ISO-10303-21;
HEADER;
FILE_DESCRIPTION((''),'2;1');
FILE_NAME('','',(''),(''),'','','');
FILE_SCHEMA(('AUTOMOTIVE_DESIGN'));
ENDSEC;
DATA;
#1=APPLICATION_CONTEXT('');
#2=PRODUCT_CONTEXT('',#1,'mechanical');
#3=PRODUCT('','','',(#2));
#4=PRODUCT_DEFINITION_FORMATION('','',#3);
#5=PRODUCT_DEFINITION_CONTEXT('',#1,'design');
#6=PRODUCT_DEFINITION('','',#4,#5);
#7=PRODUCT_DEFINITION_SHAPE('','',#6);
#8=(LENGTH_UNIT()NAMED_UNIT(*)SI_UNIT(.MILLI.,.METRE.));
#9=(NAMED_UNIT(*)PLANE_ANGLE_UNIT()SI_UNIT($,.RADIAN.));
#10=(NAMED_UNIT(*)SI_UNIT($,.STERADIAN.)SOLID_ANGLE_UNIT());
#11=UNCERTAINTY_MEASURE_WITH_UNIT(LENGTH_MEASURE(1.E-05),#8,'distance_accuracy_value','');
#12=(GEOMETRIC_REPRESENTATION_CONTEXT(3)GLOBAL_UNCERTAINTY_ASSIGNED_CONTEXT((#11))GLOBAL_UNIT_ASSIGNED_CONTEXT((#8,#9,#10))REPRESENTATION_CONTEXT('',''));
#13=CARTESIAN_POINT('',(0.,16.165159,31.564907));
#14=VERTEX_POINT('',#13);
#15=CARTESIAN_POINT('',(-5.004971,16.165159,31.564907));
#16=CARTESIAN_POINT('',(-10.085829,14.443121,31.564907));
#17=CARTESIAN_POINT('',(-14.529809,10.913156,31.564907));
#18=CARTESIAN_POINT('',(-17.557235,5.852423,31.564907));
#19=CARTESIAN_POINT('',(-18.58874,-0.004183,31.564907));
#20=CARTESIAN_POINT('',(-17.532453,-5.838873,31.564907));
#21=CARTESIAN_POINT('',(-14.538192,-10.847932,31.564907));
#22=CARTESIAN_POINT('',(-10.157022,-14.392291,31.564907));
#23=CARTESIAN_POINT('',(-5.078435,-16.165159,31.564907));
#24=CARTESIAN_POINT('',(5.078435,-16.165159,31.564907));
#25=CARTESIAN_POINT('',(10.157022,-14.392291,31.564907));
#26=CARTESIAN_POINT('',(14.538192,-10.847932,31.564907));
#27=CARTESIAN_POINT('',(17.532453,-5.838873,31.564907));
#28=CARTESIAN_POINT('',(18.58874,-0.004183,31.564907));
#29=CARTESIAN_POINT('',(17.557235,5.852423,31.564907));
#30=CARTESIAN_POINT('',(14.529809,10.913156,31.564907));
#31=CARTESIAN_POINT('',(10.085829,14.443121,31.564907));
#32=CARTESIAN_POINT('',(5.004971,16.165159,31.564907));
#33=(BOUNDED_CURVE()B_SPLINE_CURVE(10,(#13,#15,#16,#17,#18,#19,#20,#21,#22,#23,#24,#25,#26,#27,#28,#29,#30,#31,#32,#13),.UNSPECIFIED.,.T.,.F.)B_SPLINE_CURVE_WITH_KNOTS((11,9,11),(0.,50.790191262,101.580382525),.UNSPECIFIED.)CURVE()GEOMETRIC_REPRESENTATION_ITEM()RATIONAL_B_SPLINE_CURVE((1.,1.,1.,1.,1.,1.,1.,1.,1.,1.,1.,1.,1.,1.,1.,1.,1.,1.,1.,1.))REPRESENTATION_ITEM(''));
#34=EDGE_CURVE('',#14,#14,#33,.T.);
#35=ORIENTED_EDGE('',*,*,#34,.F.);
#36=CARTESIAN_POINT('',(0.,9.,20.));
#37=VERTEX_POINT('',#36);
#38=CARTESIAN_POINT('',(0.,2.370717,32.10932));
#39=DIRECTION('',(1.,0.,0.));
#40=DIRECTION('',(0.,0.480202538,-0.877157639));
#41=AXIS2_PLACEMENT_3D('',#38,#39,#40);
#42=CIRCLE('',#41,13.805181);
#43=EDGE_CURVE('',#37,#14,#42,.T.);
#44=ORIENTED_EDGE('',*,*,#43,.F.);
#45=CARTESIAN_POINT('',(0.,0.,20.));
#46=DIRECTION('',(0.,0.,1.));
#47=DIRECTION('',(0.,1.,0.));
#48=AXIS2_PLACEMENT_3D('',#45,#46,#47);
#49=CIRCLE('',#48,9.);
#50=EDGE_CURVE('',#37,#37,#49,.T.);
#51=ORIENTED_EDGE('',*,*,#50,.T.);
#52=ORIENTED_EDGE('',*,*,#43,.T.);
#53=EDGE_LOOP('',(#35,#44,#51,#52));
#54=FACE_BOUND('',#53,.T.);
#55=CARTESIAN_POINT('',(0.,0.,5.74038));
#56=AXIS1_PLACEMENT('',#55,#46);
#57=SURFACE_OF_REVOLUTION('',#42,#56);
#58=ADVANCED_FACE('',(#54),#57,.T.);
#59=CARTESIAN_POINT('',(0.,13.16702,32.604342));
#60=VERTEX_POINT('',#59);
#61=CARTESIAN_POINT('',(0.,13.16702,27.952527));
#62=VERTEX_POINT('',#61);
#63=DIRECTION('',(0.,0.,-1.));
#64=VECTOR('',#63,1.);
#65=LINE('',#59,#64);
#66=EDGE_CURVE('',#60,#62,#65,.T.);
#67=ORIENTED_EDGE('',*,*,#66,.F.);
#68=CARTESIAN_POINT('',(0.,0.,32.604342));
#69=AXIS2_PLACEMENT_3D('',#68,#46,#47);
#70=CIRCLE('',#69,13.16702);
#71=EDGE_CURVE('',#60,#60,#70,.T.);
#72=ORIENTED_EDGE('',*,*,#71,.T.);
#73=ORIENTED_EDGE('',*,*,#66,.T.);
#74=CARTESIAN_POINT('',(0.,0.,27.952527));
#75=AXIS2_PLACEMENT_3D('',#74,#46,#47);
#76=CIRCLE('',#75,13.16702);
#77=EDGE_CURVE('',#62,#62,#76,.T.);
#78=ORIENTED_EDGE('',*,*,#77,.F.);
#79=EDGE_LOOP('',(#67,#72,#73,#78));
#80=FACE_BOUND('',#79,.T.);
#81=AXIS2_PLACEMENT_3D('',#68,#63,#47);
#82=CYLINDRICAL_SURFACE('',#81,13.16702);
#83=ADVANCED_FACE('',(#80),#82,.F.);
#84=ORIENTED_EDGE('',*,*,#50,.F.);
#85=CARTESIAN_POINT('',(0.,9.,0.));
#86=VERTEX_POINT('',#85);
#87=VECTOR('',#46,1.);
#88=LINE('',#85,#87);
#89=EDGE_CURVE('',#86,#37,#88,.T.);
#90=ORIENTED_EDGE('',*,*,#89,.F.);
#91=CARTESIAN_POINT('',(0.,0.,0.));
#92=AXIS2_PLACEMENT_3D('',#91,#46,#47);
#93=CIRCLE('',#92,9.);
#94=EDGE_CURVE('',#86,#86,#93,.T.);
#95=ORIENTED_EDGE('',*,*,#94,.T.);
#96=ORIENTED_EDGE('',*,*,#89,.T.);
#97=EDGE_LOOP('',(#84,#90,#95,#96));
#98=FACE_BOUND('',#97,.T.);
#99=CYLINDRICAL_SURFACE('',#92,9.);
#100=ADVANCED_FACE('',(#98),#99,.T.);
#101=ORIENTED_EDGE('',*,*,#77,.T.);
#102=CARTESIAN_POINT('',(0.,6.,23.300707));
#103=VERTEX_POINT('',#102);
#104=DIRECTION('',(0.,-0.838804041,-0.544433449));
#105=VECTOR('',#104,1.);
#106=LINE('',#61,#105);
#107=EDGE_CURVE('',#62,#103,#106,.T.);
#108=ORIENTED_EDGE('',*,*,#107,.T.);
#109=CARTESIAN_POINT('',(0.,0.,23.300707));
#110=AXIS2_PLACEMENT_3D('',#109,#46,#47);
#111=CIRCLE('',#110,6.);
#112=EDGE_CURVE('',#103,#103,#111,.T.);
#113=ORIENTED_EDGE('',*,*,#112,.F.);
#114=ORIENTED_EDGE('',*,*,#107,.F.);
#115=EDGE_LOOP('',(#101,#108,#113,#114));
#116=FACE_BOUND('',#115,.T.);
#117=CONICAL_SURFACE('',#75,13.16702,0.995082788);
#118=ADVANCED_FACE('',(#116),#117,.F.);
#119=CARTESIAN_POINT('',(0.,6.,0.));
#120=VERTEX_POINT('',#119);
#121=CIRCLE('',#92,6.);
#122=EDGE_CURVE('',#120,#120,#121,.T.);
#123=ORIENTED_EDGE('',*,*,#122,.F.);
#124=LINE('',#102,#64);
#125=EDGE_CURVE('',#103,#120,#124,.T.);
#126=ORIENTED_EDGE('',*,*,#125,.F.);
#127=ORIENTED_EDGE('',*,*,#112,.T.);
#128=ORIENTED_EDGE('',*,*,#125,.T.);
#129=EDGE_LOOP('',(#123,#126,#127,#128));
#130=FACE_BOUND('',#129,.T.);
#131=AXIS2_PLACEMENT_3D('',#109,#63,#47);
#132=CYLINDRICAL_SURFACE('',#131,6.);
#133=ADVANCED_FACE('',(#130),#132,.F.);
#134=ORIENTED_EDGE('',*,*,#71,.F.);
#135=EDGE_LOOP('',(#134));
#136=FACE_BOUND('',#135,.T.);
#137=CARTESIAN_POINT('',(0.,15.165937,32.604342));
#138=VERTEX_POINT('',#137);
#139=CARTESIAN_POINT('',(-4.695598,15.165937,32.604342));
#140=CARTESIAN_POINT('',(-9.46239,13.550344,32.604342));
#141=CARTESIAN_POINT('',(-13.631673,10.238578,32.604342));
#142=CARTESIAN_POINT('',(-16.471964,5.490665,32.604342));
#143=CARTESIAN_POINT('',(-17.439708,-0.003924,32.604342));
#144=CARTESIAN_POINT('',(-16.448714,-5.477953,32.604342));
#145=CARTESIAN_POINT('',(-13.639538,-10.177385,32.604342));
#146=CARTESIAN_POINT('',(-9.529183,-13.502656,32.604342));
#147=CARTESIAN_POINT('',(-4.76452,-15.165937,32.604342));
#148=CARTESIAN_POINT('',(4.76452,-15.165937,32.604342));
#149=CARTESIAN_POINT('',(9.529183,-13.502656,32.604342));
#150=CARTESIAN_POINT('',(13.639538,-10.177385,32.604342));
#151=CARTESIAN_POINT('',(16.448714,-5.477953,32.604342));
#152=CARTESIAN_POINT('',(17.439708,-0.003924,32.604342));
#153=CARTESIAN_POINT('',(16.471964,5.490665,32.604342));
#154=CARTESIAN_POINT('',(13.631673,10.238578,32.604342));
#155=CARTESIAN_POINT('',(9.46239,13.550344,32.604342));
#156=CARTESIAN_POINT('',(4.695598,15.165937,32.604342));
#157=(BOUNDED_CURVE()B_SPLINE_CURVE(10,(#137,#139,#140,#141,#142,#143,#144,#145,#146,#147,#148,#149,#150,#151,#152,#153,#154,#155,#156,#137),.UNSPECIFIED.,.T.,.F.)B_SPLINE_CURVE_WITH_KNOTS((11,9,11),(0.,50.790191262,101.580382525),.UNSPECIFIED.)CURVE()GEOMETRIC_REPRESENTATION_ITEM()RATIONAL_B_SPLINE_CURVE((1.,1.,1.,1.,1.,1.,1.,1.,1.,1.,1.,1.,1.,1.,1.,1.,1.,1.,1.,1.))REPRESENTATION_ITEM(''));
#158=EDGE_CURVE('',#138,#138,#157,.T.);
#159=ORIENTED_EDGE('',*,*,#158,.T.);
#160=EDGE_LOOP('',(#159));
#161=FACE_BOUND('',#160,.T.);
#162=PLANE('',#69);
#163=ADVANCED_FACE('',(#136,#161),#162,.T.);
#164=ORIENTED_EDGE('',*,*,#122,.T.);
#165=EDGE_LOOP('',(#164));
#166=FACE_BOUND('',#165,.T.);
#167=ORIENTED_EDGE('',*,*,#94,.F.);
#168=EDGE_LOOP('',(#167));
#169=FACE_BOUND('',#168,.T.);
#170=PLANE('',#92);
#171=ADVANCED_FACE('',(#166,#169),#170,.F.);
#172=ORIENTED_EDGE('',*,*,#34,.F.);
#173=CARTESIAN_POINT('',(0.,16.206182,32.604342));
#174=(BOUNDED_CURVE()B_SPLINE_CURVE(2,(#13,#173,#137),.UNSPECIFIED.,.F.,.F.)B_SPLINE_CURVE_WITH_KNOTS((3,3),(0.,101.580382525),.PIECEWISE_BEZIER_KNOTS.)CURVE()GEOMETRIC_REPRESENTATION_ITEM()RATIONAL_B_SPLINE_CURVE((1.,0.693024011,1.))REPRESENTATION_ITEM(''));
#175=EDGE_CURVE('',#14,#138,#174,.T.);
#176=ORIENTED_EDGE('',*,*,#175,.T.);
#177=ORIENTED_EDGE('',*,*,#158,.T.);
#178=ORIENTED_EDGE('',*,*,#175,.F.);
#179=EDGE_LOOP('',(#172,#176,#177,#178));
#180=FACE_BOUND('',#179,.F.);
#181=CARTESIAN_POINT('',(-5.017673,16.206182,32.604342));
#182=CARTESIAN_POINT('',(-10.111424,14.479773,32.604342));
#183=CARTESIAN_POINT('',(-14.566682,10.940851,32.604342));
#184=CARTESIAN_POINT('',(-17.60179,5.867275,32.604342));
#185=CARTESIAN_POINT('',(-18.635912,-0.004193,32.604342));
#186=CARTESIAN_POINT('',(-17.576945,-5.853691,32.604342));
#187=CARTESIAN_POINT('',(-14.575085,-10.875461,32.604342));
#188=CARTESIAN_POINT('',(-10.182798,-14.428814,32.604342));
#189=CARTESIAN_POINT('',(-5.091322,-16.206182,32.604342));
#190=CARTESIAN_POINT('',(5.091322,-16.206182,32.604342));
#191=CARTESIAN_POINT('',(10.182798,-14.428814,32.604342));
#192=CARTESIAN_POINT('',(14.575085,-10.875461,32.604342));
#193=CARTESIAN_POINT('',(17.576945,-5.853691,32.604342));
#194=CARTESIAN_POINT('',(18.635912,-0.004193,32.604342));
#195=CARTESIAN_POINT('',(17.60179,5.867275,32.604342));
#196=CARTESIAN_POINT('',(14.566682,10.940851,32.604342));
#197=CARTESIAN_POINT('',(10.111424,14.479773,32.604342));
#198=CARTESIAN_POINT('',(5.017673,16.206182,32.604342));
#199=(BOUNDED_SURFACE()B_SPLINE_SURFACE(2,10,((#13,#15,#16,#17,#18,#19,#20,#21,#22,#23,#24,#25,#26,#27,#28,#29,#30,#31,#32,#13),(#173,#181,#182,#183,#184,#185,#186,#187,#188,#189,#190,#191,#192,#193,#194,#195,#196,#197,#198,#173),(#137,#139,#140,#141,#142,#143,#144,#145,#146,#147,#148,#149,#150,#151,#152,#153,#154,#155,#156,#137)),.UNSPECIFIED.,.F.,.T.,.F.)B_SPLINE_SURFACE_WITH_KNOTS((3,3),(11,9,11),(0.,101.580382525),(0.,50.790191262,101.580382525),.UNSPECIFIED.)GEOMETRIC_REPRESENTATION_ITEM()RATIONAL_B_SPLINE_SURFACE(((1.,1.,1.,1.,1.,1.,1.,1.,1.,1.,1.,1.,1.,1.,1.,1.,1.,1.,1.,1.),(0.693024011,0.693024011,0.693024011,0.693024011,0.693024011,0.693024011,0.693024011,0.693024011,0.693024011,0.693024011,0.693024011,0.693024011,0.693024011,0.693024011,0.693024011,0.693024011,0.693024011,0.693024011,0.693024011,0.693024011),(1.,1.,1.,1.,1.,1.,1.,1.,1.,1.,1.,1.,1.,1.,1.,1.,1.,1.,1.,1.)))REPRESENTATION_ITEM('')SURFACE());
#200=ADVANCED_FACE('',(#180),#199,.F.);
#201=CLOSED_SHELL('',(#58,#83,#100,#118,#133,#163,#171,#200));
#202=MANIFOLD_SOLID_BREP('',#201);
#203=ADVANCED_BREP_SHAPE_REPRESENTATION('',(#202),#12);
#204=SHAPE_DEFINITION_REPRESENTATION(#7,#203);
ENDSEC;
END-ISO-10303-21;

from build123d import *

# Parameters (mm, degrees)
F2_R = 1


with BuildPart() as f1:
    # F0 (on Right) → F1 (revolve)
    with BuildSketch(Plane.YZ):
        with BuildLine():
            Line((6, 20), (6, 0))
            Line((6, 0), (9, 0))
            Line((9, 0), (9, 20))
            ThreePointArc((9, 20), (14.371488, 25.2855), (16.16702, 32.604342))
            Line((16.16702, 32.604342), (13.16702, 32.604342))
            Line((13.16702, 32.604342), (13.16702, 27.952527))
            Line((13.16702, 27.952527), (6, 23.300707))
            Line((6, 23.300707), (6, 20))
        make_face()
    revolve(axis=Axis((0, 0, 5.74038), (0, 0, 1)))

    # F2
    f2_edges = [f1.edges().sort_by_distance(p)[0] for p in [
        (0, -16.16702, 32.604342),
    ]]
    fillet(f2_edges, radius=F2_R)


solid = f1.part
